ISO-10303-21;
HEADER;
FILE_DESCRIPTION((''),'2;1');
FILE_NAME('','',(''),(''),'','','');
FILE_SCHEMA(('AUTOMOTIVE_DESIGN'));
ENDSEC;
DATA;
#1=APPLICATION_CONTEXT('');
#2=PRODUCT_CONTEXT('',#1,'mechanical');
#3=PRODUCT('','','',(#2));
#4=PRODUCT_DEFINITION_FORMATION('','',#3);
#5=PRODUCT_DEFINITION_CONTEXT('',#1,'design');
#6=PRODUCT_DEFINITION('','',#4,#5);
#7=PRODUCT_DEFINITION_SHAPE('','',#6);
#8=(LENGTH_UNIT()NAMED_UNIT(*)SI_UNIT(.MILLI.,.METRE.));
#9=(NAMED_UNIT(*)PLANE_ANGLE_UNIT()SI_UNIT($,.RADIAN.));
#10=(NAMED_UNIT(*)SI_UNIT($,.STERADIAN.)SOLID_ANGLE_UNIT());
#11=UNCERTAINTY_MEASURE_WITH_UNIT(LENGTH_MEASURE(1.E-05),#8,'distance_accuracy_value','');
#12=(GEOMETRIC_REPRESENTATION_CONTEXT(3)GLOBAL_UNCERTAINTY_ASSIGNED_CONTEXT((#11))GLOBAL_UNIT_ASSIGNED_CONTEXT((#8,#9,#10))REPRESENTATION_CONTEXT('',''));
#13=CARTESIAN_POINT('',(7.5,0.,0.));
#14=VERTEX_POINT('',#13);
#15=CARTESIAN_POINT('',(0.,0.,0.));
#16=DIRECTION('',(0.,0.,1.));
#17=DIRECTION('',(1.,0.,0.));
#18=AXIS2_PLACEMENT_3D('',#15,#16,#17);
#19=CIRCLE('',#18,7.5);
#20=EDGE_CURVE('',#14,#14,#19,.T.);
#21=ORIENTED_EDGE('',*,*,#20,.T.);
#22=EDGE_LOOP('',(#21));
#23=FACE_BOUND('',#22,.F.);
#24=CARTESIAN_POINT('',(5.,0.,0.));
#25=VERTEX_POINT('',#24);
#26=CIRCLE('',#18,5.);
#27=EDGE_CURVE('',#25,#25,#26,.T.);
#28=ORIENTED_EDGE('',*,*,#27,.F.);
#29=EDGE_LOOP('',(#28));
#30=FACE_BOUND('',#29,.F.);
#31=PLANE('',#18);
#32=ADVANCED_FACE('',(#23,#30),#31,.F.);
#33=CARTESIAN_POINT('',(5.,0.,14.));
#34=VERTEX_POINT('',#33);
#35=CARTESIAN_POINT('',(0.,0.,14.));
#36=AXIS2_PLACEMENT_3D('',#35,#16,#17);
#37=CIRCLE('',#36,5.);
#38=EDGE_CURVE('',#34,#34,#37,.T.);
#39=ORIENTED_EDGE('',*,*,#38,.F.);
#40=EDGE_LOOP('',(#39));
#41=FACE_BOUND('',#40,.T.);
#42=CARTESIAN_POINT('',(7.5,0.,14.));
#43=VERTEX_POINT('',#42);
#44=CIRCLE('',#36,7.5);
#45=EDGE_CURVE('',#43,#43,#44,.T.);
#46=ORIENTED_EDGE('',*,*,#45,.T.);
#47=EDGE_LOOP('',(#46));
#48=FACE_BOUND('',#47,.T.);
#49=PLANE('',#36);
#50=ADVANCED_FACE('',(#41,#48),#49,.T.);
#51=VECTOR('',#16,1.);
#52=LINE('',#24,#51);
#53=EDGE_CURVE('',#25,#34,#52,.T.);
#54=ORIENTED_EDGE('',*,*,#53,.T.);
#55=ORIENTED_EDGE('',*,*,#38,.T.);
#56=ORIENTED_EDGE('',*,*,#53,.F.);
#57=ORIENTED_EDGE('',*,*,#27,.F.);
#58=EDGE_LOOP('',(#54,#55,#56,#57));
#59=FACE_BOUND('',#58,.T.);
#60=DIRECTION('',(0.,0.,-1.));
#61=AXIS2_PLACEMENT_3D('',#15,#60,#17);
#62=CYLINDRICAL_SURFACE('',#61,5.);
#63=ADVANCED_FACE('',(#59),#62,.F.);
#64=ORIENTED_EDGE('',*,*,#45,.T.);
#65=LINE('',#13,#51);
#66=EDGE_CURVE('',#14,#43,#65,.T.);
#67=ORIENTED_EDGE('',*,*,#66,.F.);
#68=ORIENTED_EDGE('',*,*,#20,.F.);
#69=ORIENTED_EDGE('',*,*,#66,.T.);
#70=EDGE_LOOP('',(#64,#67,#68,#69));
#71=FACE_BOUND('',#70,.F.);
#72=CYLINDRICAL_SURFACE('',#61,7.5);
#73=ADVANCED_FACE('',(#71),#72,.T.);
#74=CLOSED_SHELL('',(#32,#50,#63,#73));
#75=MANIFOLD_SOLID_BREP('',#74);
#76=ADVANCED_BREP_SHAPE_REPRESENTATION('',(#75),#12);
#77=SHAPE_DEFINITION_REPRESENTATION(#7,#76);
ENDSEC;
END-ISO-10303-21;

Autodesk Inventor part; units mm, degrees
ref_plane "YZ Plane" through (0, 0, 0) normal (1, 0, 0) x (0, 1, 0)
ref_plane "XZ Plane" through (0, 0, 0) normal (0, 1, 0) x (-1, 0, 0)
ref_plane "XY Plane" through (0, 0, 0) normal (0, 0, 1) x (1, 0, 0)
sketch "Sketch1" plane through (0, 0, 0) normal (0, 0, 1) x (1, 0, 0)
  circle A0 centre (0, 0) radius 7.5
  circle A1 centre (0, 0) radius 5
  dimension "d0" = 15
  dimension "d1" = 10
extrude "Extrusion1" add sketch "Sketch1" along normal blind 14
properties part number "SA10 Bearing"
